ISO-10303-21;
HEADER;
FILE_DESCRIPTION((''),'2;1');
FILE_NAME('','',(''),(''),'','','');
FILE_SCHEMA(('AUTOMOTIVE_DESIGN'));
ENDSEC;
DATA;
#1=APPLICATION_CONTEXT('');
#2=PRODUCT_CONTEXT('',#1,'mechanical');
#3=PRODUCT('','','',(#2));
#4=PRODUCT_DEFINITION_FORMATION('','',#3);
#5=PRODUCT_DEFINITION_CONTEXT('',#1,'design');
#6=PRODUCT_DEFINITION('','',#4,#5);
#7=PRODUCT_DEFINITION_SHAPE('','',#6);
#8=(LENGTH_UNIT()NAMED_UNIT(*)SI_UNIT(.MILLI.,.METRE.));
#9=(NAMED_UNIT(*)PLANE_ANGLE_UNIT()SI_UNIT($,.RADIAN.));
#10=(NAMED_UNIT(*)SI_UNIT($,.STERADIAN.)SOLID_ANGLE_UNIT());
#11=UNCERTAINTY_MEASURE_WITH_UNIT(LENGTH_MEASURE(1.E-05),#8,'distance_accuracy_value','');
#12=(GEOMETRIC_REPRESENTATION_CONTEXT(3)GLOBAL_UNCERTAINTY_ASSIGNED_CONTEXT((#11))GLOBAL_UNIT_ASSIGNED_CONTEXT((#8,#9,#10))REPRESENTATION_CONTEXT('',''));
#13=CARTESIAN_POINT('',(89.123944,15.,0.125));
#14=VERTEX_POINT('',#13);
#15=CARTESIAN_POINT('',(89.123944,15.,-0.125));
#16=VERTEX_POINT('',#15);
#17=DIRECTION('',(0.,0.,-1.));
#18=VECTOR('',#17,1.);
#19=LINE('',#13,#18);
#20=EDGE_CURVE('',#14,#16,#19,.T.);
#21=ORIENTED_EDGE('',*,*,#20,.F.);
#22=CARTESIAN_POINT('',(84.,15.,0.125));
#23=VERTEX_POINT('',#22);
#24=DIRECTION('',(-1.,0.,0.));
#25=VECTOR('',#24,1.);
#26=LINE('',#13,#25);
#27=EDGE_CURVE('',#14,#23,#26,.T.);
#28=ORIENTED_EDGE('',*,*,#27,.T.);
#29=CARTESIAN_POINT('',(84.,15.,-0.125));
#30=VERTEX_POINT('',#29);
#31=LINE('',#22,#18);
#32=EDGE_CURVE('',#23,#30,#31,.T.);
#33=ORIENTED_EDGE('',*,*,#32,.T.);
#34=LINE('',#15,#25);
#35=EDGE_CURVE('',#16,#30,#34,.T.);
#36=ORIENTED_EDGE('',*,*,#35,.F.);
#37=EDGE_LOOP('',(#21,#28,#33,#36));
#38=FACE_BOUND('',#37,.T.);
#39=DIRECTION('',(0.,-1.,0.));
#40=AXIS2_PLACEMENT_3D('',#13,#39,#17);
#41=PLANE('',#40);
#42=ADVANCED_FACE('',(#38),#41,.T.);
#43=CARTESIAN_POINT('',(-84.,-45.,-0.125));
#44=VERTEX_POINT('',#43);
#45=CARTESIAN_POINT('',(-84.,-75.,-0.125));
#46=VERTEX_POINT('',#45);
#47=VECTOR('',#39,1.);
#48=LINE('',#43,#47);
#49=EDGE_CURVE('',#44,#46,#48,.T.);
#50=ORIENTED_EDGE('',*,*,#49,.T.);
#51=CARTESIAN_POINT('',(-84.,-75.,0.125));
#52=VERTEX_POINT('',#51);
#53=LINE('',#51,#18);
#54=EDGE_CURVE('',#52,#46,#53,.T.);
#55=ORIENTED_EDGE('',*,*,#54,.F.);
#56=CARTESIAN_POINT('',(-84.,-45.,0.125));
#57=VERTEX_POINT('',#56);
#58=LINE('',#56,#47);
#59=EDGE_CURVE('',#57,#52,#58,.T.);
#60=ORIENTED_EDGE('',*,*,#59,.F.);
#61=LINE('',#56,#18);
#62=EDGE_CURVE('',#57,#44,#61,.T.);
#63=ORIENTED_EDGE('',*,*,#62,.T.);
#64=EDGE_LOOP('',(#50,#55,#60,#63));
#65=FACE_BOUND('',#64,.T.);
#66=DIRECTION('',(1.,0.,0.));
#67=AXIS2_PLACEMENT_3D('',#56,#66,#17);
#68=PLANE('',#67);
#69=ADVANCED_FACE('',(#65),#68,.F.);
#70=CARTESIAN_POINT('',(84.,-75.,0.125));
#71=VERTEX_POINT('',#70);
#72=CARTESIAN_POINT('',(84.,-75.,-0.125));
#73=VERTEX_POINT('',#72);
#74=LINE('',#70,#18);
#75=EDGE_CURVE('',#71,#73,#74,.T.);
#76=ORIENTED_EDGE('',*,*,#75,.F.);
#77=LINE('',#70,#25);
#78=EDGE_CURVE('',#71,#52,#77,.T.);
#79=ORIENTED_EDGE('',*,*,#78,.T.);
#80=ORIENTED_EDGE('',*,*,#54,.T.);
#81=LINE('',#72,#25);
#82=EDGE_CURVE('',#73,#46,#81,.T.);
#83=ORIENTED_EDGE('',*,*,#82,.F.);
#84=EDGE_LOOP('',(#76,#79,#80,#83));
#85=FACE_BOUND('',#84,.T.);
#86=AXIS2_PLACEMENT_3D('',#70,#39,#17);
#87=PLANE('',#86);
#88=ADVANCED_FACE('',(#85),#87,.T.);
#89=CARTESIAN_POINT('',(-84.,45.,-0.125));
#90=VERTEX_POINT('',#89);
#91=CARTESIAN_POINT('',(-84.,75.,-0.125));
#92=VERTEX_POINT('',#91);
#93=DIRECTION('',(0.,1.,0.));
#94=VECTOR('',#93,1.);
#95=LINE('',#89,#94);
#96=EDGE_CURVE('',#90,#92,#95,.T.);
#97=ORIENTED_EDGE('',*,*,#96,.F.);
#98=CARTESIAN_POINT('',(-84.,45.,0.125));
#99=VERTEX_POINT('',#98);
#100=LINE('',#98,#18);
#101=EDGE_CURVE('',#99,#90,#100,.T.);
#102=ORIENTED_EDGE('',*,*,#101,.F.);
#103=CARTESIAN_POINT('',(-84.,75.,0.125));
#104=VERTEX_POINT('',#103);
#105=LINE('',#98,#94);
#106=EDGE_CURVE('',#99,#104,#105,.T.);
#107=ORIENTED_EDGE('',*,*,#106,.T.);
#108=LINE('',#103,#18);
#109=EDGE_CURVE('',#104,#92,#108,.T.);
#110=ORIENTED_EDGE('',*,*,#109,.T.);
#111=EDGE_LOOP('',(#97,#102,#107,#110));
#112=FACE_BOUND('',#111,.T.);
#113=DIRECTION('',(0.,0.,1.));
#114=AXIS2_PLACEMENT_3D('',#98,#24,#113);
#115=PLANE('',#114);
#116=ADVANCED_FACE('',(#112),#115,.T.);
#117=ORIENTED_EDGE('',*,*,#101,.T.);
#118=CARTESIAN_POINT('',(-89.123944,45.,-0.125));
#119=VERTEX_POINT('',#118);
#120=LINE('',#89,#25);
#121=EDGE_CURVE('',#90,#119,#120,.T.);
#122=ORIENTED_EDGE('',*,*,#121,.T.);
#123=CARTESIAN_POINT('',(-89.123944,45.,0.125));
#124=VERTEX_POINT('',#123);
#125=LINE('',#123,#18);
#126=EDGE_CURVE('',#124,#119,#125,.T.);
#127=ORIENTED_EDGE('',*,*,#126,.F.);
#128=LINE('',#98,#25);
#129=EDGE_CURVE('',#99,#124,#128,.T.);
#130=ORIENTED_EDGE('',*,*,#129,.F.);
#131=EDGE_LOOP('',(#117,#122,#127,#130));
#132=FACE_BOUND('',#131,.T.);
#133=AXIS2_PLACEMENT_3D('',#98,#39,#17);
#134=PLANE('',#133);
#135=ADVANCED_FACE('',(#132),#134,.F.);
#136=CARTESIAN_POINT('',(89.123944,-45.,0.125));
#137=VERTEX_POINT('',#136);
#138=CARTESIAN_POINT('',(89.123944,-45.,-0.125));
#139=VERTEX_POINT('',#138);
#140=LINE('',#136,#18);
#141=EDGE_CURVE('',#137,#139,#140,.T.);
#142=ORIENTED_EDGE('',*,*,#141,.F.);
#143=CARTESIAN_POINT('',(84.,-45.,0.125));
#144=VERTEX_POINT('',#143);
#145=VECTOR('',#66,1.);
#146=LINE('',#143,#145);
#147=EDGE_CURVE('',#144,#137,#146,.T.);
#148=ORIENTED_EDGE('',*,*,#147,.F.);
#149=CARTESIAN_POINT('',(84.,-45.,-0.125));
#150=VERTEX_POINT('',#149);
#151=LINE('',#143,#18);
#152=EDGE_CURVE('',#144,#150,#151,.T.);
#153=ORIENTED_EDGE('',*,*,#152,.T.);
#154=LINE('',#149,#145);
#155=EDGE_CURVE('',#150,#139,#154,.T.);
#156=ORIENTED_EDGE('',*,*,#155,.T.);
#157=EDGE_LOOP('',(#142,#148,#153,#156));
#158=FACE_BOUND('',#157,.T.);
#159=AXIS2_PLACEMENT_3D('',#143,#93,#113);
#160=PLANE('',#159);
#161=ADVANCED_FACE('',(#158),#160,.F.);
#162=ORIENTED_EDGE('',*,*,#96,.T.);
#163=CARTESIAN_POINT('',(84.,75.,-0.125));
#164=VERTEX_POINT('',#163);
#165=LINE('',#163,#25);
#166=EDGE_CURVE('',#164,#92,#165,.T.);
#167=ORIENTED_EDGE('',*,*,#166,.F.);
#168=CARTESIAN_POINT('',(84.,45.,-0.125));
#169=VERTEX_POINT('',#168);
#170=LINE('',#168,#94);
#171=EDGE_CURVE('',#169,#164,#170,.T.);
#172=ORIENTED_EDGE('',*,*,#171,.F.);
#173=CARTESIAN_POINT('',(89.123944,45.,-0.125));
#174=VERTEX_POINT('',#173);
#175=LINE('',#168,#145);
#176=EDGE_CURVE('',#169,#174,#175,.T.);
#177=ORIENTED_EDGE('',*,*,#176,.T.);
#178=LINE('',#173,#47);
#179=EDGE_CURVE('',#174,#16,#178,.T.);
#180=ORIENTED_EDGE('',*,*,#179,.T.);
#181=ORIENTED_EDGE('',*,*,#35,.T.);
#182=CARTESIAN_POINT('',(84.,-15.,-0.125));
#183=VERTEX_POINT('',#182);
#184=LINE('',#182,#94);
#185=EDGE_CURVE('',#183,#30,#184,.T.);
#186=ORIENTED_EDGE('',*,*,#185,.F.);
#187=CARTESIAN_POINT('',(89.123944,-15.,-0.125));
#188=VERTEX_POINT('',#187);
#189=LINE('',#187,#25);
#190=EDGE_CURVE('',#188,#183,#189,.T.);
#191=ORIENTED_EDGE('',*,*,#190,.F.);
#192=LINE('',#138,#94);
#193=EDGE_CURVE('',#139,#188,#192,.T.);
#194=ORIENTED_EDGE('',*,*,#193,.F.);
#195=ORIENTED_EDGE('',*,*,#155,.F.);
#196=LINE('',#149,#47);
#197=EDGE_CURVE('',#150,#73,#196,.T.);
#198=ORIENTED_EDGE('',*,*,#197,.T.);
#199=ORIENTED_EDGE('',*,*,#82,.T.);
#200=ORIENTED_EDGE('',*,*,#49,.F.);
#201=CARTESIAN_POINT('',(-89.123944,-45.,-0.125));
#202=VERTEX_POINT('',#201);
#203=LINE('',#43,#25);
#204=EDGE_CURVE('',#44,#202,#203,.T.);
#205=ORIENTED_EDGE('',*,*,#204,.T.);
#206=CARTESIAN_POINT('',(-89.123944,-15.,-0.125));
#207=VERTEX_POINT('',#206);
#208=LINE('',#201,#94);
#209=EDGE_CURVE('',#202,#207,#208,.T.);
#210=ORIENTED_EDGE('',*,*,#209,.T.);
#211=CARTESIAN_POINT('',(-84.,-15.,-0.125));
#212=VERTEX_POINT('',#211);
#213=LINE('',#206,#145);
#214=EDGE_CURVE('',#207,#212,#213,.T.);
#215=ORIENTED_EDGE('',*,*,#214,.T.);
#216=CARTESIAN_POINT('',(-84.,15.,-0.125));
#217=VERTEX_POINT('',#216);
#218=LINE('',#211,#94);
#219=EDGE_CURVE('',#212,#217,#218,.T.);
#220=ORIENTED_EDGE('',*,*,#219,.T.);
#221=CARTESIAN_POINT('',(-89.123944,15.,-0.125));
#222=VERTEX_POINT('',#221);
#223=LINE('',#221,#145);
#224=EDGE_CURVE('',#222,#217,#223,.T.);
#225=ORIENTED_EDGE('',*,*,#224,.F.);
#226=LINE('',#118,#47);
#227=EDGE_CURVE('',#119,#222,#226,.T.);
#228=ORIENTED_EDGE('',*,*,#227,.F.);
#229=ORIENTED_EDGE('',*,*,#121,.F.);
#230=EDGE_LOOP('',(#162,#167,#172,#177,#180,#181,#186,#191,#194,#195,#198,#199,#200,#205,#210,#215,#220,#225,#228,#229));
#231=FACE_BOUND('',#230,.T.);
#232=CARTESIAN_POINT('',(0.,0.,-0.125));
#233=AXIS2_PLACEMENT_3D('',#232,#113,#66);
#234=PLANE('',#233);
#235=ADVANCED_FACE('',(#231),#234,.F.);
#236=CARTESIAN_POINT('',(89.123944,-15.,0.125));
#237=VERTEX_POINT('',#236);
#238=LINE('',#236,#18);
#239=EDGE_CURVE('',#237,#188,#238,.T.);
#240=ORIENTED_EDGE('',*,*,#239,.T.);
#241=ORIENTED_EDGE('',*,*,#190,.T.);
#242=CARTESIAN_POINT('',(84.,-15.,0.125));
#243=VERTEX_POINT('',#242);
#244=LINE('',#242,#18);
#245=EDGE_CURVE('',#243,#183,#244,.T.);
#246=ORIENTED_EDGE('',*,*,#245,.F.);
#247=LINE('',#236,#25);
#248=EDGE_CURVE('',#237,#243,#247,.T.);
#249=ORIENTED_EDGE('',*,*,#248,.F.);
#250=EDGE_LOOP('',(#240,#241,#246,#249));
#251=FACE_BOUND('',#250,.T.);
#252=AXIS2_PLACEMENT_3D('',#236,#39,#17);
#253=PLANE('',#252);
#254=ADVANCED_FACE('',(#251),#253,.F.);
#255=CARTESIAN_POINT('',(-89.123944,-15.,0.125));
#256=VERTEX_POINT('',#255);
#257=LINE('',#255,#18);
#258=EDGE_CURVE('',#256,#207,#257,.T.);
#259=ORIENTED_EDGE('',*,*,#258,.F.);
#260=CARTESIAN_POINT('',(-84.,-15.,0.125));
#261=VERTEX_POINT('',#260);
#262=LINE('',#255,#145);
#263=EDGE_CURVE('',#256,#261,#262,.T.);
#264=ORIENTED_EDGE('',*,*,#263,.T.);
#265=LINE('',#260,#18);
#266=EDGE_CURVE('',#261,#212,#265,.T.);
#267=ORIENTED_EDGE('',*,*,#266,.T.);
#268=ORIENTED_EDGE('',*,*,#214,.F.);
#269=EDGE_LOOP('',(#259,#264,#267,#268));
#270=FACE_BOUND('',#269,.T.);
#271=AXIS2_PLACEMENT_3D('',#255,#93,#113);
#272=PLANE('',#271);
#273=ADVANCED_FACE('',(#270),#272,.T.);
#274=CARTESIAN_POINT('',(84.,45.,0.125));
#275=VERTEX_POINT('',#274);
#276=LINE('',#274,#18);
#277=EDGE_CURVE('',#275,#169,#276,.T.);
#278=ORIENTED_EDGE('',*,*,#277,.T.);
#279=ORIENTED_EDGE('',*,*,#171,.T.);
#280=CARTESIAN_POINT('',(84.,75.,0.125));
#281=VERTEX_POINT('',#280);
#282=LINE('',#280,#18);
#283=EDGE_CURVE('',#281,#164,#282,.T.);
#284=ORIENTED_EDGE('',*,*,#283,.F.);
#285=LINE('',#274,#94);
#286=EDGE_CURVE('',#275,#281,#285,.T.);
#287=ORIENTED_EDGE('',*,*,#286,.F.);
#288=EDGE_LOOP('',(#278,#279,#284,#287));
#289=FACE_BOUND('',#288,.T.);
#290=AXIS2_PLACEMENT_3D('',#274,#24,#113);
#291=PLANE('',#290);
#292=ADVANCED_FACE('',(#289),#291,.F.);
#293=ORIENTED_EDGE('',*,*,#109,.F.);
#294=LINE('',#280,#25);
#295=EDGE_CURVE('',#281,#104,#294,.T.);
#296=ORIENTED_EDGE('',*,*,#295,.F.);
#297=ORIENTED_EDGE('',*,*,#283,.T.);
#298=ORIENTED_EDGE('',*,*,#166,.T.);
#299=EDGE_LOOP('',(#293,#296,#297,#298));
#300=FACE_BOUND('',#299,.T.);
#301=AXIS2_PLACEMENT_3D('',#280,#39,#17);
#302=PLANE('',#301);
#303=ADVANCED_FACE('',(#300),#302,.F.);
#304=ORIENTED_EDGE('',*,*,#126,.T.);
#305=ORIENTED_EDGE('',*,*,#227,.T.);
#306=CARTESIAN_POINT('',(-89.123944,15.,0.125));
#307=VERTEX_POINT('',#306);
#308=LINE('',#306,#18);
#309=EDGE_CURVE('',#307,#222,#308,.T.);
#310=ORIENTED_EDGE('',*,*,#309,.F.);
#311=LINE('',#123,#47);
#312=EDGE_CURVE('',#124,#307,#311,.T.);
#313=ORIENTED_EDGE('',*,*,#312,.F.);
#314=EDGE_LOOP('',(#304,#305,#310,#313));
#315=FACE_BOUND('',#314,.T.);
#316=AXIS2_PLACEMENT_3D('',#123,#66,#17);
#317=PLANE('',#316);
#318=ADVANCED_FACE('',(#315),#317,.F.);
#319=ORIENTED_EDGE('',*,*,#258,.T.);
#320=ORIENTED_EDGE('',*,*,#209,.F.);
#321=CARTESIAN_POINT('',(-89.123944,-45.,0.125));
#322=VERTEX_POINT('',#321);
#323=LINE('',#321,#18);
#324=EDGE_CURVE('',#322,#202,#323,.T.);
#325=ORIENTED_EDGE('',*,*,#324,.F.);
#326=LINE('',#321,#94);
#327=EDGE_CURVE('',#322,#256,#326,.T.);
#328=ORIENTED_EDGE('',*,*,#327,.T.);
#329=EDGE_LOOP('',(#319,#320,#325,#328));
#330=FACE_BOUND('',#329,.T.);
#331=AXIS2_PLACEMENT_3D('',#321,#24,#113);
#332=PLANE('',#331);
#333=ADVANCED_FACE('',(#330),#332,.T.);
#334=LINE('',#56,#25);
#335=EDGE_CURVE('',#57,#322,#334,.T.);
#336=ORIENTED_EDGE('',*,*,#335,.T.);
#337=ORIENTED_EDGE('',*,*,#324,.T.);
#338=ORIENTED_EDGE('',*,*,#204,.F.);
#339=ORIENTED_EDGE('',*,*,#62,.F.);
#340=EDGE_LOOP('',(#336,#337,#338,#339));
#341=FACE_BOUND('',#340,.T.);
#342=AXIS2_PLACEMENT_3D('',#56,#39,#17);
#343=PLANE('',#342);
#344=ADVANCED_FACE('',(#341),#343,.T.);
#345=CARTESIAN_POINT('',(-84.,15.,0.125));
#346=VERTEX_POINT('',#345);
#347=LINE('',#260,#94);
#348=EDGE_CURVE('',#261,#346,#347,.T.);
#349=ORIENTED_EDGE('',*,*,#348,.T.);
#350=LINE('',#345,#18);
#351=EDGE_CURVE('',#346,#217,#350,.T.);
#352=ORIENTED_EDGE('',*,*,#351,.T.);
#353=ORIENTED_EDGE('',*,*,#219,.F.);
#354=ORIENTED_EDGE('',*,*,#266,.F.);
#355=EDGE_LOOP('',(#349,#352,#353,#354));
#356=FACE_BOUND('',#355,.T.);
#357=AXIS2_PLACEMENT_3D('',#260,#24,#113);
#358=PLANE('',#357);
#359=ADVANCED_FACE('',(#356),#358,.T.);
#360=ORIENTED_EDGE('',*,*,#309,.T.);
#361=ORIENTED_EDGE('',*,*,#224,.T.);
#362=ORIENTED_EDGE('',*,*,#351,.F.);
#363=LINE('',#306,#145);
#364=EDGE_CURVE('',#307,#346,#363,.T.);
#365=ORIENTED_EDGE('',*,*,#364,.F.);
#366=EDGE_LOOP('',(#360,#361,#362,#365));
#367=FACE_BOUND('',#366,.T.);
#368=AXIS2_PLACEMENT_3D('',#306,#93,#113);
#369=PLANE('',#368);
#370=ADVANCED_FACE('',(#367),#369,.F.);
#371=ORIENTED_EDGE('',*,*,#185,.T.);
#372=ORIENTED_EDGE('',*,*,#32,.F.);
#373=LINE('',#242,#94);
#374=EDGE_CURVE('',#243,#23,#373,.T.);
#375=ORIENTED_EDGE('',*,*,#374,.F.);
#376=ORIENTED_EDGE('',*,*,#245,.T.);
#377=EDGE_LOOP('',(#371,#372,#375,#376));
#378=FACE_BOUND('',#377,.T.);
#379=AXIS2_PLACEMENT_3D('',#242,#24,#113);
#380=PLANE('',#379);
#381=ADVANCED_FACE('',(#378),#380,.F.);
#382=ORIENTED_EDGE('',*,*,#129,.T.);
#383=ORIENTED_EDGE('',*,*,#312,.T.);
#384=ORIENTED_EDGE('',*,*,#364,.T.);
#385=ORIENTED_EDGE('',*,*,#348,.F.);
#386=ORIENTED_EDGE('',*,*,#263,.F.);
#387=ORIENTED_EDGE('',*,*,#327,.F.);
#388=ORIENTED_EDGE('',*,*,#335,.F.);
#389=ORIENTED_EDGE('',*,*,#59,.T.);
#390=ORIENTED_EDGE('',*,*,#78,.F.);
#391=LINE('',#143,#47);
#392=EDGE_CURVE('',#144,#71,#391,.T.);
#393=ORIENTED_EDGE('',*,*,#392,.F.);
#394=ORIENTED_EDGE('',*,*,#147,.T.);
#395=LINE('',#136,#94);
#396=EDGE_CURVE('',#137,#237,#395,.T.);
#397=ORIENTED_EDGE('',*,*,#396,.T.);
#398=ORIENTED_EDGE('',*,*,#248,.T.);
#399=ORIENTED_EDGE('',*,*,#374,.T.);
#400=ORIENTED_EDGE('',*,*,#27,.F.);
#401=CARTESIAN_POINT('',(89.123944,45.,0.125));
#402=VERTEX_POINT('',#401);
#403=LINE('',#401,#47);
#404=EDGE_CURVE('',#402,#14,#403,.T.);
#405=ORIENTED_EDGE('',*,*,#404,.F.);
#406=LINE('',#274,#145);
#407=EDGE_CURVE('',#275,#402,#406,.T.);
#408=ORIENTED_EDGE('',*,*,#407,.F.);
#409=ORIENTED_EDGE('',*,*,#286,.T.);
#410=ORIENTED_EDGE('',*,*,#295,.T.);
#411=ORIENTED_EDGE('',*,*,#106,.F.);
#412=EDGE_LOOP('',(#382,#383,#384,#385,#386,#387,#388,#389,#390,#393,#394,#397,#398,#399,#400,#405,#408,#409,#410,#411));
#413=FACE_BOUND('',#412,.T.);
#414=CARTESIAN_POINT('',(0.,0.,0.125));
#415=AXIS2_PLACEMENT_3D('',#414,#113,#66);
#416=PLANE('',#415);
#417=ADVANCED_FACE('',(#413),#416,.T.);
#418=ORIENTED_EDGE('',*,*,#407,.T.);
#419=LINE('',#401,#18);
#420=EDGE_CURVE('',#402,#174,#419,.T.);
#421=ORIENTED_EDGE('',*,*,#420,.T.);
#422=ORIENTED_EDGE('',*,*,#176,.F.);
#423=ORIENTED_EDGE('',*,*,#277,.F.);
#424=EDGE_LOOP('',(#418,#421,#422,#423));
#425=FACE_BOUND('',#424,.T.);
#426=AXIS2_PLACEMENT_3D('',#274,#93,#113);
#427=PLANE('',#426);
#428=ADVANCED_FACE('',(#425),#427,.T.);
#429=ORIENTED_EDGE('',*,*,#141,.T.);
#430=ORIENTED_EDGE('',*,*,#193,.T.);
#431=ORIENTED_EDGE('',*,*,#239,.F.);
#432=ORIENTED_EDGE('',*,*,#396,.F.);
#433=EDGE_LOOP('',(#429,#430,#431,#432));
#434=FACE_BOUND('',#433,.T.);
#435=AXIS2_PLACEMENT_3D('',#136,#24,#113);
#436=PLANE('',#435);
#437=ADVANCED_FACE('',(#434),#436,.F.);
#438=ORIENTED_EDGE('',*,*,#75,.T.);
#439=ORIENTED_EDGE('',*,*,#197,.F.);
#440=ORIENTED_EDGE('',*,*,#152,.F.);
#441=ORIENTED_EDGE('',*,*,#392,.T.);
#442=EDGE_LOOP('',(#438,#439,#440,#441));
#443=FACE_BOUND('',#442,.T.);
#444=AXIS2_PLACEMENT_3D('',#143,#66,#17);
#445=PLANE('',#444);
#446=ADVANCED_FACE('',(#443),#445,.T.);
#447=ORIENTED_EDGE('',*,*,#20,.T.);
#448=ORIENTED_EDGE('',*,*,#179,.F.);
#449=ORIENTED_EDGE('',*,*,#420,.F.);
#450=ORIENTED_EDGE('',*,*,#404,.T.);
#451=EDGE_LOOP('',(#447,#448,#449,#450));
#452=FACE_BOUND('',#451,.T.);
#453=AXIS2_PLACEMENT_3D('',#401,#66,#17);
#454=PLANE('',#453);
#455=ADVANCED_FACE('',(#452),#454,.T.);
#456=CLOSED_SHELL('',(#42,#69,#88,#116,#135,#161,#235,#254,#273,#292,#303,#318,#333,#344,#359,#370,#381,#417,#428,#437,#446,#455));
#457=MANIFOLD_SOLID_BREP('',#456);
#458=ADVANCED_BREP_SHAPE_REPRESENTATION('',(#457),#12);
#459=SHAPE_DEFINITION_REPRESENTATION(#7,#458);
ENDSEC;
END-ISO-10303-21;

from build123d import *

# Parameters (mm, degrees)
BOSS_EXTRUDE1_DEPTH = 0.125


with BuildPart() as part:
    # Sketch1 → Boss-Extrude1 (new, symmetric)
    with BuildSketch(Plane.XY):
        Polygon((-84, 45), (-89.123944273, 45), (-89.123944273, 15), (-84, 15), (-84, -15), (-89.123944273, -15), (-89.123944273, -45), (-84, -45), (-84, -75), (84, -75), (84, -45), (89.123944273, -45), (89.123944273, -15), (84, -15), (84, 15), (89.123944273, 15), (89.123944273, 45), (84, 45), (84, 75), (-84, 75), align=None)
    extrude(amount=BOSS_EXTRUDE1_DEPTH, both=True)


solid = part.part
